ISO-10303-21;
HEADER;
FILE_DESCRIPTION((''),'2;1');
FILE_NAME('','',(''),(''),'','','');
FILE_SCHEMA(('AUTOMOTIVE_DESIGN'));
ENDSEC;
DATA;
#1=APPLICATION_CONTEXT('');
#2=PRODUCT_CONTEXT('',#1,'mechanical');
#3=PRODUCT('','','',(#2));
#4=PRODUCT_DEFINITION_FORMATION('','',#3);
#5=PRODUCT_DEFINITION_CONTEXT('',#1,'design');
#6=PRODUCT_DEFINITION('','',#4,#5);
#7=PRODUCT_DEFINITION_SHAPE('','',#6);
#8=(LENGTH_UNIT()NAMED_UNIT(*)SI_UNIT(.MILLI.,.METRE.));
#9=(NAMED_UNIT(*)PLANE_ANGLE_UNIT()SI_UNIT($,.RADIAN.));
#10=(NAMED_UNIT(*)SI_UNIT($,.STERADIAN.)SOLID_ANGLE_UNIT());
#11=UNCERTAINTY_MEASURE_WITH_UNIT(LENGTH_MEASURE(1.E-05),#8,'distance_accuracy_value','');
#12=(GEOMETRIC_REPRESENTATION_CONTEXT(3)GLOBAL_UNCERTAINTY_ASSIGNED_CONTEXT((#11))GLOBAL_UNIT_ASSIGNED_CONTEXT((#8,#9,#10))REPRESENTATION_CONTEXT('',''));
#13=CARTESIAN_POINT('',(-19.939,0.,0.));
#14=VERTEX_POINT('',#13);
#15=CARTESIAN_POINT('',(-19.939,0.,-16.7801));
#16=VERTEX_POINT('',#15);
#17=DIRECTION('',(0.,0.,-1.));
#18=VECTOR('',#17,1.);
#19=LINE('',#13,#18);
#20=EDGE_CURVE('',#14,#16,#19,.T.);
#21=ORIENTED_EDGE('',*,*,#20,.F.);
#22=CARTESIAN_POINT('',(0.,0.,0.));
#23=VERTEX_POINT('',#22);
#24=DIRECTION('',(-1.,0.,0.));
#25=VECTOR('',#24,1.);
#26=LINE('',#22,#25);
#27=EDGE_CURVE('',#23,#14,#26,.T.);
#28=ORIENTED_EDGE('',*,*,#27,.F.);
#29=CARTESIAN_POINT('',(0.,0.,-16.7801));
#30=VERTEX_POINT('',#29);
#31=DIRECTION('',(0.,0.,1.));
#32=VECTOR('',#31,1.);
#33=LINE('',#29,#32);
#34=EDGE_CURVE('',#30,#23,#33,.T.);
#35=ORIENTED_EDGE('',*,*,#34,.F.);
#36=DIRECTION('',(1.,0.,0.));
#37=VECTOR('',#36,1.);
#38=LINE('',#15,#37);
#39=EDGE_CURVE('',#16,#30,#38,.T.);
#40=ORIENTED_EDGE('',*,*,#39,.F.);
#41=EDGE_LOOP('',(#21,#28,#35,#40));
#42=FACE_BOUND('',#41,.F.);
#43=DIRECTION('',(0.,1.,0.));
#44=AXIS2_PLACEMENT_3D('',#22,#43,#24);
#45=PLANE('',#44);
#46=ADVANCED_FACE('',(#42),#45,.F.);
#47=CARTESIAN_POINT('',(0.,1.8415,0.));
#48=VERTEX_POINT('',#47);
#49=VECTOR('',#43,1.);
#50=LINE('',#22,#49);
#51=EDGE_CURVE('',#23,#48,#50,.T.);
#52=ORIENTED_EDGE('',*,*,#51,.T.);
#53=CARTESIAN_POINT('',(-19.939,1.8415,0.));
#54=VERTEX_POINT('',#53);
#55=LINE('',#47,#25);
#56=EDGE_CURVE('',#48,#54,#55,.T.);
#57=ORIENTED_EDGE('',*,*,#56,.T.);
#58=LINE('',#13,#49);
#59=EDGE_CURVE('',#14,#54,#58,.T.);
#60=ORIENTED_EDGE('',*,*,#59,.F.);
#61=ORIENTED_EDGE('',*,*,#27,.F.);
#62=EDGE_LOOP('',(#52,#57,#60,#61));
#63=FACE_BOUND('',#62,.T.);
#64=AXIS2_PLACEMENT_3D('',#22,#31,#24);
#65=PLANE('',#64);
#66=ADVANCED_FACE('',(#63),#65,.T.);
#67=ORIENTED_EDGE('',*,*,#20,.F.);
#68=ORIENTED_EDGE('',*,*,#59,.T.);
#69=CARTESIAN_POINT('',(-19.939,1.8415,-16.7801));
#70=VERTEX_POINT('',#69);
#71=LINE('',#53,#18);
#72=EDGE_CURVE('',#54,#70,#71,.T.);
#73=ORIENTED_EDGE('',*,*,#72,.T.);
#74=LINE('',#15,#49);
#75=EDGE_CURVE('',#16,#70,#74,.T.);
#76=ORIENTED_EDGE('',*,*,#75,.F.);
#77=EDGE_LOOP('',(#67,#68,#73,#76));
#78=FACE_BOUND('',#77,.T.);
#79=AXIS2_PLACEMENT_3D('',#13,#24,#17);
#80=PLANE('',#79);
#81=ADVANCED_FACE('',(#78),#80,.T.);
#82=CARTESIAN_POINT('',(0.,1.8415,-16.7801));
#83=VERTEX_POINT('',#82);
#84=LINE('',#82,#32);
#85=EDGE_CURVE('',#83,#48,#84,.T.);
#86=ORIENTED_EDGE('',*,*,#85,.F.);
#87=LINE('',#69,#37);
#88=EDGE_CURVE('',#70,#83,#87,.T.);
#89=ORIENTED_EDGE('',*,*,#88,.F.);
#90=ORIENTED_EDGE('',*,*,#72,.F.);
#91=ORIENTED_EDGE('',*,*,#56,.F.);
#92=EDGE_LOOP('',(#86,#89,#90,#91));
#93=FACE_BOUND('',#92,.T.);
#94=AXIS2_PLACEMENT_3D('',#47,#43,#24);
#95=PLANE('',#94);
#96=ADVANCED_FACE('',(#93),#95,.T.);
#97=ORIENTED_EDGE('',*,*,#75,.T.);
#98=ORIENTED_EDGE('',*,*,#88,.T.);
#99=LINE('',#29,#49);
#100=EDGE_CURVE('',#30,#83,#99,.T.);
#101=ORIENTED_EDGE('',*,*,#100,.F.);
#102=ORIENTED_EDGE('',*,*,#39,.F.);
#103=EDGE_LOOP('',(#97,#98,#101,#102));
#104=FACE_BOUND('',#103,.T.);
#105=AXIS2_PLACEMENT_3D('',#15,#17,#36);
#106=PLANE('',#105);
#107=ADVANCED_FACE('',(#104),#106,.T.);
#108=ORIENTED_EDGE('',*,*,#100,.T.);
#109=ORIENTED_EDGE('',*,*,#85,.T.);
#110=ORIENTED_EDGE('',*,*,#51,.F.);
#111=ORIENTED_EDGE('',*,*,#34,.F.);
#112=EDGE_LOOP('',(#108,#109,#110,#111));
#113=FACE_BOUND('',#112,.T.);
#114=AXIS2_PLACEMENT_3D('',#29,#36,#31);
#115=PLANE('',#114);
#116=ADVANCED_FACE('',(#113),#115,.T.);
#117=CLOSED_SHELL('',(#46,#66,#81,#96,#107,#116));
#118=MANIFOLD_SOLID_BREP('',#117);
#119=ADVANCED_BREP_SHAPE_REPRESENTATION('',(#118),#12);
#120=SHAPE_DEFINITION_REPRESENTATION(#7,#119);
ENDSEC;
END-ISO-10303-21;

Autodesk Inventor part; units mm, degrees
ref_plane "YZ Plane" through (0, 0, 0) normal (1, 0, 0) x (0, 1, 0)
ref_plane "XZ Plane" through (0, 0, 0) normal (0, 1, 0) x (-1, 0, 0)
ref_plane "XY Plane" through (0, 0, 0) normal (0, 0, 1) x (1, 0, 0)
sketch "Sketch1" plane through (0, 0, 0) normal (0, 1, 0) x (-1, 0, 0)
  line L0 (0, 0) -> (19.939, 0)
  line L1 (19.939, 0) -> (19.939, -16.7801)
  line L2 (19.939, -16.7801) -> (0, -16.7801)
  line L3 (0, -16.7801) -> (0, 0)
  dimension "d0" = 19.939
extrude "Extrusion1" add sketch "Sketch1" along normal blind 1.8415
properties part number "micro1"
